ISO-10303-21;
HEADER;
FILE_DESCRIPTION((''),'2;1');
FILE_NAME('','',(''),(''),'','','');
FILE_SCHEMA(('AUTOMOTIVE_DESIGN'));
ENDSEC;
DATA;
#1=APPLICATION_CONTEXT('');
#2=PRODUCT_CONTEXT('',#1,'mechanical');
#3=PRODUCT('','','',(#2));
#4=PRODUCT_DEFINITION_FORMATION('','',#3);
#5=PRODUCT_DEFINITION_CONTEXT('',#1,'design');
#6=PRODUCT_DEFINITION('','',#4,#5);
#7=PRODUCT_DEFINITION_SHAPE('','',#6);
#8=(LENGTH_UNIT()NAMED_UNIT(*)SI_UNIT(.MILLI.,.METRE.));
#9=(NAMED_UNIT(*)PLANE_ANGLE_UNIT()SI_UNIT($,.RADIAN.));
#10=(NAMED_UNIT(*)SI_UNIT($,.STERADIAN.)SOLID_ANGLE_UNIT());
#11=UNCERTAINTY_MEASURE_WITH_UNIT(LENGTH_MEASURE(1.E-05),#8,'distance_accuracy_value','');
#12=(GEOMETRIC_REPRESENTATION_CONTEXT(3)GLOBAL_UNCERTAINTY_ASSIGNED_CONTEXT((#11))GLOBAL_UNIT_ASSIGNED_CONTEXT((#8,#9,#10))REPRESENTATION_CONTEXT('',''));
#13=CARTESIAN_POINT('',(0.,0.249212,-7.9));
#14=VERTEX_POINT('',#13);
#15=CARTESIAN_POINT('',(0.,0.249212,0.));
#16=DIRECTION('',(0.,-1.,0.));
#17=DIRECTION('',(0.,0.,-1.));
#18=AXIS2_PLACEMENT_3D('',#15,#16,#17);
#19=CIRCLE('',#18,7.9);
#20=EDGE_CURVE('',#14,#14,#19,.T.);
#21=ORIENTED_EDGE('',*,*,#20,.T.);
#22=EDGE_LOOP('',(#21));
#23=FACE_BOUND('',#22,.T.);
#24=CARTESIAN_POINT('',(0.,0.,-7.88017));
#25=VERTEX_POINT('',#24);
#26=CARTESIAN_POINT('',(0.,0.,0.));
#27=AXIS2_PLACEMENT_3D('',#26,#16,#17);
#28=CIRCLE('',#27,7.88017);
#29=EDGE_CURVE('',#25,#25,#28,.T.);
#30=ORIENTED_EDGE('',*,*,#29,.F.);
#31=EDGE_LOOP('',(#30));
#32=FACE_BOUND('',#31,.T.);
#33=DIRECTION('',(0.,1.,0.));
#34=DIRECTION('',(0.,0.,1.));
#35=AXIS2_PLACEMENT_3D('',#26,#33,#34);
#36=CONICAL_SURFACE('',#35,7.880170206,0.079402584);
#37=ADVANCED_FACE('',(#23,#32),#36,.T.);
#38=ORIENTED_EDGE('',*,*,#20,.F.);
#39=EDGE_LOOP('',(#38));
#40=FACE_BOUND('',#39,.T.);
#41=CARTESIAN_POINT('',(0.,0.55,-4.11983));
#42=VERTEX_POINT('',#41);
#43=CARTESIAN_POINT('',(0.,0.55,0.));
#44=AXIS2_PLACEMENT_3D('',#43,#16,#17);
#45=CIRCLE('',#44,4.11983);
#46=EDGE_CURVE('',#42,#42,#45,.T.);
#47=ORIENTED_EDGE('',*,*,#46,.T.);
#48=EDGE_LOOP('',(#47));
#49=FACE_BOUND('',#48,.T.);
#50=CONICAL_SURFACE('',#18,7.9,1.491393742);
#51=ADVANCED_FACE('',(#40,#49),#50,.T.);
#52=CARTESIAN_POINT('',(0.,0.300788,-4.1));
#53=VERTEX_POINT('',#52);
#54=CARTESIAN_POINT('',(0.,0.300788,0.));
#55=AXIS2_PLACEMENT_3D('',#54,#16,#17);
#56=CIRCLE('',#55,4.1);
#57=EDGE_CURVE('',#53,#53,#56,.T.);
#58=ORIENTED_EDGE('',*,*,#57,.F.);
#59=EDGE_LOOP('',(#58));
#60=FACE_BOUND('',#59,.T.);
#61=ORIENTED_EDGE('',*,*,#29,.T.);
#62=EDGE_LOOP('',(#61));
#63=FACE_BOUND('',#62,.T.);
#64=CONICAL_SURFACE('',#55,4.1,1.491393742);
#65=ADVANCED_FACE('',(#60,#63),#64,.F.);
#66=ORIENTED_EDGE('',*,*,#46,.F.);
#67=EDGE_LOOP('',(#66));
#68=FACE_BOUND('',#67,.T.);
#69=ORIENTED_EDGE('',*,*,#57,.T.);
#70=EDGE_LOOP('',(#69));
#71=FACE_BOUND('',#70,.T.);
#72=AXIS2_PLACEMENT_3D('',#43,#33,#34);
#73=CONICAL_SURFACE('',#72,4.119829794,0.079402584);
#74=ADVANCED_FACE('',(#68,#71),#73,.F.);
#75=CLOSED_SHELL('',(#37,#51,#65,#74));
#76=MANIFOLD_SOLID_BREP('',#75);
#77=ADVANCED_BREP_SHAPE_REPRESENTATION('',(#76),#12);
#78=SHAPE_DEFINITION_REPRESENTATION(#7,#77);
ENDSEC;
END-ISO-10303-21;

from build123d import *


with BuildPart() as part:
    # Sketch1 → Revolve1 (revolve)
    with BuildSketch(Plane.XY):
        Polygon((7.880170206, 0), (4.1, 0.300787682), (4.119829794, 0.55), (7.9, 0.249212318), align=None)
    revolve(axis=Axis((0, 0, 0), (0, 1, 0)))


solid = part.part
